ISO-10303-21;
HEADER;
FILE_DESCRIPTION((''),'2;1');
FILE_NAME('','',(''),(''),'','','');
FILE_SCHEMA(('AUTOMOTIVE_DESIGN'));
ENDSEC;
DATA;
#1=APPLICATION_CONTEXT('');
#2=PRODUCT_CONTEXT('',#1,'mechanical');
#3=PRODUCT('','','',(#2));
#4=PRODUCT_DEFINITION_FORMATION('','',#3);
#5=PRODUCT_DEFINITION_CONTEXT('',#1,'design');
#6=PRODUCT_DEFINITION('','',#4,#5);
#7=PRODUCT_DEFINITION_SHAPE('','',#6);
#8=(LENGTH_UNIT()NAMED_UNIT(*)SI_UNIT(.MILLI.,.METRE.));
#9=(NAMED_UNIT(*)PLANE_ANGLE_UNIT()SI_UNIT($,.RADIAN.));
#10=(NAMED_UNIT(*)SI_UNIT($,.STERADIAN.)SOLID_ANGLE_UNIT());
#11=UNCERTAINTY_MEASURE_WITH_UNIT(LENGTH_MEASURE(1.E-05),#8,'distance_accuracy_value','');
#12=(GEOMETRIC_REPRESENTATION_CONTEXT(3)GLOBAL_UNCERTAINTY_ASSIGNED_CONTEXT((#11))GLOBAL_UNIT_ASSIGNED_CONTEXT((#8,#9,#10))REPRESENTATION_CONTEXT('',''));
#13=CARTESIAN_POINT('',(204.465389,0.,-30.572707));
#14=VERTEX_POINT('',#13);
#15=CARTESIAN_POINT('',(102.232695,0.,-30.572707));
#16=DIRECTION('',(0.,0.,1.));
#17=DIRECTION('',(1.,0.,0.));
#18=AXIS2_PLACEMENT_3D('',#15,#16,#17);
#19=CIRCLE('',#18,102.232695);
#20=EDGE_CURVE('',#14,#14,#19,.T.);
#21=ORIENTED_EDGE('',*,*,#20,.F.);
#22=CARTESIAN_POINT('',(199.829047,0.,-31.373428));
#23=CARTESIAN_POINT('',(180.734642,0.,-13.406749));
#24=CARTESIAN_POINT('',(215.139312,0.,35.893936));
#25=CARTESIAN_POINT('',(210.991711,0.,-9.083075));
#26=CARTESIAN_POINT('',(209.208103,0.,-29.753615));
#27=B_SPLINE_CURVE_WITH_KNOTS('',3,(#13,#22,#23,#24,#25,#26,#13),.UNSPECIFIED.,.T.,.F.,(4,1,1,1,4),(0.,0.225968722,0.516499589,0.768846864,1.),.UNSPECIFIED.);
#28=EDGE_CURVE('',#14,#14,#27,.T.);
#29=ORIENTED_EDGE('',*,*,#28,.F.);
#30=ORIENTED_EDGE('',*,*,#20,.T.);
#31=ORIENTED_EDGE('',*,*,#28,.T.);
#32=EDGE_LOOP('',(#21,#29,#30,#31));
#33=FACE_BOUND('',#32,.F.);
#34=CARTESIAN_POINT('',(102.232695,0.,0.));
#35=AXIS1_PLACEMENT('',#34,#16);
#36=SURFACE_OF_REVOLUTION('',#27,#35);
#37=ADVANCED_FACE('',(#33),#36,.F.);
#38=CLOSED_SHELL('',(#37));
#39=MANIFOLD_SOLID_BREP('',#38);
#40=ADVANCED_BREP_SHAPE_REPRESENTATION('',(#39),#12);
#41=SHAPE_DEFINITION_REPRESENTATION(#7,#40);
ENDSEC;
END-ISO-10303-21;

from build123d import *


with BuildPart() as f2:
    # F2: sweep along a path in F0
    with BuildLine(Plane.XY) as f2_path:
        CenterArc((102.2326946259, 0), 102.2326946259, 0, 360)
    # F1 (on Front) → F2 (sweep)
    with BuildSketch(Plane.XZ):
        with BuildLine():
            add(Edge.make_bspline(
                [(0, -30.5727068335), (-4.7427141672, -29.7536148289), (-6.5263218052, -9.0830745859), (-10.6739228637, 35.8939358708), (23.7307472181, -13.4067493609), (4.636342283, -31.3734278469), (0, -30.5727068335)],
                knots=[0, 0, 0, 0, 0.2311531362, 0.4835004112, 0.774031278, 1, 1, 1, 1], degree=3))
        make_face()
    sweep(path=f2_path.line)


solid = f2.part
